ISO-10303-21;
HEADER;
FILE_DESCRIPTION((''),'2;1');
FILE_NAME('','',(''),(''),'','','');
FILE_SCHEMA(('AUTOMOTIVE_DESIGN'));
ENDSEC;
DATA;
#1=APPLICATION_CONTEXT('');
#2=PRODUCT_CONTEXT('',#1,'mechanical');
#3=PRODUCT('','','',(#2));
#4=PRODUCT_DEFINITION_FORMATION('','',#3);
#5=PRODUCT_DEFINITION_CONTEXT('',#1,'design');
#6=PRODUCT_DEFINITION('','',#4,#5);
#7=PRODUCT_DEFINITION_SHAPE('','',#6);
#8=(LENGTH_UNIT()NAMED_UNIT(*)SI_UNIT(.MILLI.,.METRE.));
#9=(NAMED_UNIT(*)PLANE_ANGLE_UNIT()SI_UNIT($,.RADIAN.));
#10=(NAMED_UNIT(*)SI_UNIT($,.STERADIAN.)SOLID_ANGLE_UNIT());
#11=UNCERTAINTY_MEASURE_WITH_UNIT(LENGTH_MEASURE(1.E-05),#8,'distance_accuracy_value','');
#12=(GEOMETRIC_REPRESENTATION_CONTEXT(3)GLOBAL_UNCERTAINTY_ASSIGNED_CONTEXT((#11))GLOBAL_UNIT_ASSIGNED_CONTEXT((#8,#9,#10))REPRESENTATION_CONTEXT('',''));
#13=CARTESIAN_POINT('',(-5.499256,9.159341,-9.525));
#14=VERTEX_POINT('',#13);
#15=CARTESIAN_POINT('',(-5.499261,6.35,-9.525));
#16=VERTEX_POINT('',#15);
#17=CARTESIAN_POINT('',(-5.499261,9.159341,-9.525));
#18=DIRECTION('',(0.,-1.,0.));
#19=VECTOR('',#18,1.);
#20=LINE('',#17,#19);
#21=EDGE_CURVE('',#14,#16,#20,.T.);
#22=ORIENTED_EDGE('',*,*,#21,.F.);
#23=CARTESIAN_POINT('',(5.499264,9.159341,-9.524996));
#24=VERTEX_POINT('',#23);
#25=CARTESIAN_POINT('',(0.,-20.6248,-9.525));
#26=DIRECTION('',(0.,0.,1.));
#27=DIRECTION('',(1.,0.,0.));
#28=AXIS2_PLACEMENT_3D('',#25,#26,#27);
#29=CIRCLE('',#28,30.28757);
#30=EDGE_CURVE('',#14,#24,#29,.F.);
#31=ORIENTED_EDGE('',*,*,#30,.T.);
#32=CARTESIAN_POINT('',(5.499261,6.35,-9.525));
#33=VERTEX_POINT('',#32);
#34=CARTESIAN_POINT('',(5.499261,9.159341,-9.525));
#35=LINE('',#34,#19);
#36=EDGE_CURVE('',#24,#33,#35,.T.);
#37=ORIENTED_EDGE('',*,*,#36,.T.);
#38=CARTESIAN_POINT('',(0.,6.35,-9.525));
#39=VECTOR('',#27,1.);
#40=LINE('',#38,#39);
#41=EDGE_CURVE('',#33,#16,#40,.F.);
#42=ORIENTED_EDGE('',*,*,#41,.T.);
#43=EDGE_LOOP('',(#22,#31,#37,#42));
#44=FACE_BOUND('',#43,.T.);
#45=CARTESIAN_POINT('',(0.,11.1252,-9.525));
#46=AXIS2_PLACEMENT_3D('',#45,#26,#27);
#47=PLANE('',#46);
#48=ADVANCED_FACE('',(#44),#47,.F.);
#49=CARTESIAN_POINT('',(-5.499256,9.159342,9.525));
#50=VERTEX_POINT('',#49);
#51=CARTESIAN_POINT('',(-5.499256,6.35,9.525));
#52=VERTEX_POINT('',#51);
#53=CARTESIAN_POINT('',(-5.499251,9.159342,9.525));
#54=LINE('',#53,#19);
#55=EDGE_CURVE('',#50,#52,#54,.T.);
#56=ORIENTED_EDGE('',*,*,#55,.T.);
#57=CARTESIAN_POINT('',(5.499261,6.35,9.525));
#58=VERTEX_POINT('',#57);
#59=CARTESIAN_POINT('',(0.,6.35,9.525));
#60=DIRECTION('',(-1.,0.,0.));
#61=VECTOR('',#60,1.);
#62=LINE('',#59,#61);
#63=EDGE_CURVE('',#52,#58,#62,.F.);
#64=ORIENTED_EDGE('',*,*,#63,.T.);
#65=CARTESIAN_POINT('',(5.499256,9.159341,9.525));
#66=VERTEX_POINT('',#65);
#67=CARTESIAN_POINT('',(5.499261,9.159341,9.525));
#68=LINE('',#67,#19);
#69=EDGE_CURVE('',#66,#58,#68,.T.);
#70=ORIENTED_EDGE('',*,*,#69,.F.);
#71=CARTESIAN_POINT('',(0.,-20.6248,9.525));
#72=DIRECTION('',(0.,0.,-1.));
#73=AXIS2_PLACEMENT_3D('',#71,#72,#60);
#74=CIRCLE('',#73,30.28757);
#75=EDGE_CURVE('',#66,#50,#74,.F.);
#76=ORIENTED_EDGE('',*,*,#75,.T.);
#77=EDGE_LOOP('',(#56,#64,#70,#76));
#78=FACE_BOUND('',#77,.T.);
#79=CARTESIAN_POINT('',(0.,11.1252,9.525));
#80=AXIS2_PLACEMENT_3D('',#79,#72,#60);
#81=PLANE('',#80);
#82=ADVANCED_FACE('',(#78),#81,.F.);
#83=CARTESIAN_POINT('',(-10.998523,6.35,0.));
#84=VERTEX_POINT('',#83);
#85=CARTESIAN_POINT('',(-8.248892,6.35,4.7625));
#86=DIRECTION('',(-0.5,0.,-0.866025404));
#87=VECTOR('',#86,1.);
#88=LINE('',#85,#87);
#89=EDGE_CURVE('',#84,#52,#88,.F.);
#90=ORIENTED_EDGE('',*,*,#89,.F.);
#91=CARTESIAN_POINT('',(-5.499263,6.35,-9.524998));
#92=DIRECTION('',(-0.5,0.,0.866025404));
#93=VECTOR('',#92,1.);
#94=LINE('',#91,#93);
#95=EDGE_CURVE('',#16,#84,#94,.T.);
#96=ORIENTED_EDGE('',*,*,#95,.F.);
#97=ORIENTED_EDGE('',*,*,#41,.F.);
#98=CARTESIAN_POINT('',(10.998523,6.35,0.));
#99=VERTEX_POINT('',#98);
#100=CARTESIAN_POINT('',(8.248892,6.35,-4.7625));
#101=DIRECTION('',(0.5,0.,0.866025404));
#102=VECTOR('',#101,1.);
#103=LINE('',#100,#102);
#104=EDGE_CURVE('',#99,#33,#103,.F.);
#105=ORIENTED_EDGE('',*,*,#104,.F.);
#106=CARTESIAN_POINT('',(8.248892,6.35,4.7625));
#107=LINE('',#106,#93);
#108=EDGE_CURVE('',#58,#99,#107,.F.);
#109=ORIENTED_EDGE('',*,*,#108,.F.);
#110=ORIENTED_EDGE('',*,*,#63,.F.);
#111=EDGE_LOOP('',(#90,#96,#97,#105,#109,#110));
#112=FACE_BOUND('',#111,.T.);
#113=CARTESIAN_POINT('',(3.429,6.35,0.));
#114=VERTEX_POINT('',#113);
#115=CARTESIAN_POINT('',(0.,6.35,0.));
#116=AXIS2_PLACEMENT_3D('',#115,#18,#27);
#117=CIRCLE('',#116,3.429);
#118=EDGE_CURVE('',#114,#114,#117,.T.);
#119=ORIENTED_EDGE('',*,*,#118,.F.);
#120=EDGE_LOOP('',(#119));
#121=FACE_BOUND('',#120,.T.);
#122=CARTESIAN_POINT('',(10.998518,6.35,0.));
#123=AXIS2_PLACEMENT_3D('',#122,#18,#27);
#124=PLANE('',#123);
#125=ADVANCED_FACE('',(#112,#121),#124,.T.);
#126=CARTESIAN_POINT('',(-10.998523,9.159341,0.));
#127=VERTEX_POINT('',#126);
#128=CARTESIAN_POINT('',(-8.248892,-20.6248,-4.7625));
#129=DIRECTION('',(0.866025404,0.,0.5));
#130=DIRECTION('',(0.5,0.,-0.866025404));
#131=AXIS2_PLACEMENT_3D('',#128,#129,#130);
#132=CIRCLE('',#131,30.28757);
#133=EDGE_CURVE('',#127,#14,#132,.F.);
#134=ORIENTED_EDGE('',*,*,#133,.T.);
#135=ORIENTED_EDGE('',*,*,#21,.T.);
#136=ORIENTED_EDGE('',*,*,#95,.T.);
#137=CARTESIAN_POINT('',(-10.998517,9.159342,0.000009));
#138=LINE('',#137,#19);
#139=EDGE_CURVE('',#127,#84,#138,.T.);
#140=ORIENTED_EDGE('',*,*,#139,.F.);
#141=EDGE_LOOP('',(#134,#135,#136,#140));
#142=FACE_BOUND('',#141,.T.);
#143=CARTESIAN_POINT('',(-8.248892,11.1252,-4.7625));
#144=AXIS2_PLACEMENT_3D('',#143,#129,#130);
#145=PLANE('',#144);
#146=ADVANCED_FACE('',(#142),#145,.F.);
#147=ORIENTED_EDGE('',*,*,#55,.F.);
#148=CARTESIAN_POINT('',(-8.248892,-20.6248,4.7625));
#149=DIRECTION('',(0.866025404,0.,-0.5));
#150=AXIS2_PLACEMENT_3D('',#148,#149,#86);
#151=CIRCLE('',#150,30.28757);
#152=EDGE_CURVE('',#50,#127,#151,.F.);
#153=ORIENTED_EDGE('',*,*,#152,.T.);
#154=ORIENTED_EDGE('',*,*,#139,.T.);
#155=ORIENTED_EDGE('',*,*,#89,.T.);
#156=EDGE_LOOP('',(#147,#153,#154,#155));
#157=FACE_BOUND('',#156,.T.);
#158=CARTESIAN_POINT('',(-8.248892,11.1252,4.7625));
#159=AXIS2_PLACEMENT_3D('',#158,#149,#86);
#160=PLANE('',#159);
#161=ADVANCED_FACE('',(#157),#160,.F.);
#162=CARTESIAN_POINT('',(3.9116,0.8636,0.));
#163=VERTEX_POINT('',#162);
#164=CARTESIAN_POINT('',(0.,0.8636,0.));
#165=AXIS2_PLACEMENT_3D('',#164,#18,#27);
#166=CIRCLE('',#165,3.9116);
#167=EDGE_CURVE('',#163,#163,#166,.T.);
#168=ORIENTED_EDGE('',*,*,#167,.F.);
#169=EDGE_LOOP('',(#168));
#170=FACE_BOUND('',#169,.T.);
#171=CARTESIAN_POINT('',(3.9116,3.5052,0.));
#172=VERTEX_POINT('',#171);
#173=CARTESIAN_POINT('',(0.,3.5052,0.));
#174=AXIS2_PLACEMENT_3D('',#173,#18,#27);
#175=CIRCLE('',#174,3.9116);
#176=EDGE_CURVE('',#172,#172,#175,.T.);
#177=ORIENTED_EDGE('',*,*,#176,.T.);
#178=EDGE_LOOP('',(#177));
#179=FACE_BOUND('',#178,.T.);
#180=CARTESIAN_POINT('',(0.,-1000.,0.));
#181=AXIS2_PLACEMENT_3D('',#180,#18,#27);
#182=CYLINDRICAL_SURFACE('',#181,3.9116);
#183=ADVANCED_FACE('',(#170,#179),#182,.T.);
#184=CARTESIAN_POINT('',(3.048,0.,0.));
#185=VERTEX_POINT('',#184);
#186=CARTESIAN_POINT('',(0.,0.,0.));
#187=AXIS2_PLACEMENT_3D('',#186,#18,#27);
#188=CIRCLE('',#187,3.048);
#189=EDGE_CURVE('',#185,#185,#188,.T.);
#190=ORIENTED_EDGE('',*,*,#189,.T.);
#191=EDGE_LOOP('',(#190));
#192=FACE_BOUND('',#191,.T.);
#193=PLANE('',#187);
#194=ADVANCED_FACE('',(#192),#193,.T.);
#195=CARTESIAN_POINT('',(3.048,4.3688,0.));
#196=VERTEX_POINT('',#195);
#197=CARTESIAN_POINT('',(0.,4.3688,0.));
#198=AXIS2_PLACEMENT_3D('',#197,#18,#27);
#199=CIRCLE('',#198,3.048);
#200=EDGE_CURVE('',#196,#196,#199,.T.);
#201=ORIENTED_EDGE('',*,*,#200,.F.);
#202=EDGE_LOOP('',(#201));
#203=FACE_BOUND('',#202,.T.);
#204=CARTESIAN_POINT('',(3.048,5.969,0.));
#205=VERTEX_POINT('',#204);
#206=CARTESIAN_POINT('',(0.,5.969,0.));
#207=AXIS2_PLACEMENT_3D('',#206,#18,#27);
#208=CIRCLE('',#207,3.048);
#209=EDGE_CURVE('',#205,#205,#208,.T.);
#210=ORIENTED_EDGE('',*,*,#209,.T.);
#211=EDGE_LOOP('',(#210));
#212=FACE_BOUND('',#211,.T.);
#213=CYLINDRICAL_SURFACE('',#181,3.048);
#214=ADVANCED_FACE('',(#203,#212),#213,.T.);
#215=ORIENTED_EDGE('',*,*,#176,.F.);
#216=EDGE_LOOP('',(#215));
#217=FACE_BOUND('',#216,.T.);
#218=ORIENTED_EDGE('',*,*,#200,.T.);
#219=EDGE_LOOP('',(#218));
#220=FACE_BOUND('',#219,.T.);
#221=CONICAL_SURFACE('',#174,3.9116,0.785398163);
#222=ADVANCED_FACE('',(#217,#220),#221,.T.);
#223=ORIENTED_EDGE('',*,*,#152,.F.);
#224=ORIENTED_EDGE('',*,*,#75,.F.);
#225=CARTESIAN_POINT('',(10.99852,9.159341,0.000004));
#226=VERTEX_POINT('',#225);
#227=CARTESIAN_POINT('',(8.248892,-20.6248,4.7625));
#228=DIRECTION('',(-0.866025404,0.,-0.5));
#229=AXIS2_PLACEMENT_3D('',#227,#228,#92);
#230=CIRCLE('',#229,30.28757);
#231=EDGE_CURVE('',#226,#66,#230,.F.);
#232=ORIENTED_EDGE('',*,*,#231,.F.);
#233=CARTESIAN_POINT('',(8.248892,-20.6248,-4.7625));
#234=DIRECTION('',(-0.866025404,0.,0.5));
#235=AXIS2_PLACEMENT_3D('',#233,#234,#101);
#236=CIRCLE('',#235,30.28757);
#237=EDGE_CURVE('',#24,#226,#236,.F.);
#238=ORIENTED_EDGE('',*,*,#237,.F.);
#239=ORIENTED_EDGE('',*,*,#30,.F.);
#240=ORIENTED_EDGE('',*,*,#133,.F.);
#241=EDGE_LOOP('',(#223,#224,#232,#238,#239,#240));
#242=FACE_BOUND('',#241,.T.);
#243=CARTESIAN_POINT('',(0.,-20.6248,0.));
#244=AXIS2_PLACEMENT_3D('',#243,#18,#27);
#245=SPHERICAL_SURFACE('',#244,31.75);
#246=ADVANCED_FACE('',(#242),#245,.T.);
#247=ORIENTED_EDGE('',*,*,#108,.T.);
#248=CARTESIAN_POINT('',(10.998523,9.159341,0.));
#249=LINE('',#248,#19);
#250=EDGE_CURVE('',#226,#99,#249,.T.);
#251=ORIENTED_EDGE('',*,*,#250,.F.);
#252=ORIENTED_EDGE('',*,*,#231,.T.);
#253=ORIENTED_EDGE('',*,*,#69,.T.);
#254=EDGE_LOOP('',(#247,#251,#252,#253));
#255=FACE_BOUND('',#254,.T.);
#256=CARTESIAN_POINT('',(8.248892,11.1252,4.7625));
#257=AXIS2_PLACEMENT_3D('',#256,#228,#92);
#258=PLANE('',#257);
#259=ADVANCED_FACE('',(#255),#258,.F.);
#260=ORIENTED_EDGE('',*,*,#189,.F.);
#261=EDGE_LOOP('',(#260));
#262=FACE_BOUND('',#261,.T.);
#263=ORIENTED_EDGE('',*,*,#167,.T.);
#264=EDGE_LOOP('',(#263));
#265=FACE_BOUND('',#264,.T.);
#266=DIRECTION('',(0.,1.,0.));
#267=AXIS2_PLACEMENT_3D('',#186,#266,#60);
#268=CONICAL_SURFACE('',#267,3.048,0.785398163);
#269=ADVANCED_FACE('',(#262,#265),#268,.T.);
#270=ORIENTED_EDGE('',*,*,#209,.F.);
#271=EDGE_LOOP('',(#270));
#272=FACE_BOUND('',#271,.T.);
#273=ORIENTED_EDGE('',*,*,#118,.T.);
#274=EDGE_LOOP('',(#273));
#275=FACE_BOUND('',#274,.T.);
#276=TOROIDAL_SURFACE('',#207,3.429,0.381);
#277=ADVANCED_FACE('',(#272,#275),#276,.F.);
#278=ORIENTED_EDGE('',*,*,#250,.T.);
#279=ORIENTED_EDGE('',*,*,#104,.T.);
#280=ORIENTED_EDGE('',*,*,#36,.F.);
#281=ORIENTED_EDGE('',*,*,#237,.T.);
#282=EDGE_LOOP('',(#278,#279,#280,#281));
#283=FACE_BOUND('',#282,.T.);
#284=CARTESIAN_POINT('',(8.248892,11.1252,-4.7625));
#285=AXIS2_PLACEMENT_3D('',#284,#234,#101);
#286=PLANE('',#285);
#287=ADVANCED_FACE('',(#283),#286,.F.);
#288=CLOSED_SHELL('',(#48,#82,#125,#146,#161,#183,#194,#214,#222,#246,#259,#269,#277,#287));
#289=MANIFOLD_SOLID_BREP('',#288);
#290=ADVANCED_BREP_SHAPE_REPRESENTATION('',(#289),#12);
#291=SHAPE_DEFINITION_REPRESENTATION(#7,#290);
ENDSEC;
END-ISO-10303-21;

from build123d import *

# Parameters (mm, degrees)
CUT_EXTRUDE2_DEPTH = 11.1252


with BuildPart() as part:
    # Sketch3 → Revolve1 (revolve)
    with BuildSketch(Plane.XY):
        with BuildLine():
            Line((3.9116, 3.5052), (3.9116, 0.8636))
            Line((3.9116, 0.8636), (3.048, 0))
            Line((3.048, 0), (0, 0))
            Line((0, 0), (0, 11.1252))
            ThreePointArc((0, 11.1252), (5.586411751, 10.629871711), (10.9985175, 9.159341969))
            Line((10.9985175, 9.159341969), (10.9985175, 6.35))
            Line((10.9985175, 6.35), (3.429, 6.35))
            ThreePointArc((3.429, 6.35), (3.159592316, 6.238407684), (3.048, 5.969))
            Line((3.048, 5.969), (3.048, 4.3688))
            Line((3.048, 4.3688), (3.9116, 3.5052))
        make_face()
    revolve(axis=Axis((0, -1000, 0), (0, 1, 0)))

    # Sketch1 → Cut-Extrude2 (cut)
    with BuildSketch(Plane(origin=(0, 0, 0), x_dir=(1, 0, 0), z_dir=(0, 1, 0))):
        with BuildLine():
            ThreePointArc((-5.499261314, -9.525), (0, -10.998522628), (5.499261314, -9.525))
            Line((5.499261314, -9.525), (-5.499261314, -9.525))
        make_face()
        with BuildLine():
            ThreePointArc((-10.998522628, 0), (-9.525, -5.499261314), (-5.499261314, -9.525))
            Line((-5.499261314, -9.525), (-10.998522628, 0))
        make_face()
        with BuildLine():
            ThreePointArc((5.499261314, -9.525), (9.525, -5.499261314), (10.998522628, 0))
            Line((10.998522628, 0), (5.499261314, -9.525))
        make_face()
        with BuildLine():
            Line((5.499261314, 9.525), (10.998522628, 0))
            ThreePointArc((10.998522628, 0), (9.525, 5.499261314), (5.499261314, 9.525))
        make_face()
        with BuildLine():
            Line((-5.499261314, 9.525), (5.499261314, 9.525))
            ThreePointArc((5.499261314, 9.525), (0, 10.998522628), (-5.499261314, 9.525))
        make_face()
        with BuildLine():
            Line((-10.998522628, 0), (-5.499261314, 9.525))
            ThreePointArc((-5.499261314, 9.525), (-9.525, 5.499261314), (-10.998522628, 0))
        make_face()
    extrude(amount=CUT_EXTRUDE2_DEPTH, mode=Mode.SUBTRACT)


solid = part.part
